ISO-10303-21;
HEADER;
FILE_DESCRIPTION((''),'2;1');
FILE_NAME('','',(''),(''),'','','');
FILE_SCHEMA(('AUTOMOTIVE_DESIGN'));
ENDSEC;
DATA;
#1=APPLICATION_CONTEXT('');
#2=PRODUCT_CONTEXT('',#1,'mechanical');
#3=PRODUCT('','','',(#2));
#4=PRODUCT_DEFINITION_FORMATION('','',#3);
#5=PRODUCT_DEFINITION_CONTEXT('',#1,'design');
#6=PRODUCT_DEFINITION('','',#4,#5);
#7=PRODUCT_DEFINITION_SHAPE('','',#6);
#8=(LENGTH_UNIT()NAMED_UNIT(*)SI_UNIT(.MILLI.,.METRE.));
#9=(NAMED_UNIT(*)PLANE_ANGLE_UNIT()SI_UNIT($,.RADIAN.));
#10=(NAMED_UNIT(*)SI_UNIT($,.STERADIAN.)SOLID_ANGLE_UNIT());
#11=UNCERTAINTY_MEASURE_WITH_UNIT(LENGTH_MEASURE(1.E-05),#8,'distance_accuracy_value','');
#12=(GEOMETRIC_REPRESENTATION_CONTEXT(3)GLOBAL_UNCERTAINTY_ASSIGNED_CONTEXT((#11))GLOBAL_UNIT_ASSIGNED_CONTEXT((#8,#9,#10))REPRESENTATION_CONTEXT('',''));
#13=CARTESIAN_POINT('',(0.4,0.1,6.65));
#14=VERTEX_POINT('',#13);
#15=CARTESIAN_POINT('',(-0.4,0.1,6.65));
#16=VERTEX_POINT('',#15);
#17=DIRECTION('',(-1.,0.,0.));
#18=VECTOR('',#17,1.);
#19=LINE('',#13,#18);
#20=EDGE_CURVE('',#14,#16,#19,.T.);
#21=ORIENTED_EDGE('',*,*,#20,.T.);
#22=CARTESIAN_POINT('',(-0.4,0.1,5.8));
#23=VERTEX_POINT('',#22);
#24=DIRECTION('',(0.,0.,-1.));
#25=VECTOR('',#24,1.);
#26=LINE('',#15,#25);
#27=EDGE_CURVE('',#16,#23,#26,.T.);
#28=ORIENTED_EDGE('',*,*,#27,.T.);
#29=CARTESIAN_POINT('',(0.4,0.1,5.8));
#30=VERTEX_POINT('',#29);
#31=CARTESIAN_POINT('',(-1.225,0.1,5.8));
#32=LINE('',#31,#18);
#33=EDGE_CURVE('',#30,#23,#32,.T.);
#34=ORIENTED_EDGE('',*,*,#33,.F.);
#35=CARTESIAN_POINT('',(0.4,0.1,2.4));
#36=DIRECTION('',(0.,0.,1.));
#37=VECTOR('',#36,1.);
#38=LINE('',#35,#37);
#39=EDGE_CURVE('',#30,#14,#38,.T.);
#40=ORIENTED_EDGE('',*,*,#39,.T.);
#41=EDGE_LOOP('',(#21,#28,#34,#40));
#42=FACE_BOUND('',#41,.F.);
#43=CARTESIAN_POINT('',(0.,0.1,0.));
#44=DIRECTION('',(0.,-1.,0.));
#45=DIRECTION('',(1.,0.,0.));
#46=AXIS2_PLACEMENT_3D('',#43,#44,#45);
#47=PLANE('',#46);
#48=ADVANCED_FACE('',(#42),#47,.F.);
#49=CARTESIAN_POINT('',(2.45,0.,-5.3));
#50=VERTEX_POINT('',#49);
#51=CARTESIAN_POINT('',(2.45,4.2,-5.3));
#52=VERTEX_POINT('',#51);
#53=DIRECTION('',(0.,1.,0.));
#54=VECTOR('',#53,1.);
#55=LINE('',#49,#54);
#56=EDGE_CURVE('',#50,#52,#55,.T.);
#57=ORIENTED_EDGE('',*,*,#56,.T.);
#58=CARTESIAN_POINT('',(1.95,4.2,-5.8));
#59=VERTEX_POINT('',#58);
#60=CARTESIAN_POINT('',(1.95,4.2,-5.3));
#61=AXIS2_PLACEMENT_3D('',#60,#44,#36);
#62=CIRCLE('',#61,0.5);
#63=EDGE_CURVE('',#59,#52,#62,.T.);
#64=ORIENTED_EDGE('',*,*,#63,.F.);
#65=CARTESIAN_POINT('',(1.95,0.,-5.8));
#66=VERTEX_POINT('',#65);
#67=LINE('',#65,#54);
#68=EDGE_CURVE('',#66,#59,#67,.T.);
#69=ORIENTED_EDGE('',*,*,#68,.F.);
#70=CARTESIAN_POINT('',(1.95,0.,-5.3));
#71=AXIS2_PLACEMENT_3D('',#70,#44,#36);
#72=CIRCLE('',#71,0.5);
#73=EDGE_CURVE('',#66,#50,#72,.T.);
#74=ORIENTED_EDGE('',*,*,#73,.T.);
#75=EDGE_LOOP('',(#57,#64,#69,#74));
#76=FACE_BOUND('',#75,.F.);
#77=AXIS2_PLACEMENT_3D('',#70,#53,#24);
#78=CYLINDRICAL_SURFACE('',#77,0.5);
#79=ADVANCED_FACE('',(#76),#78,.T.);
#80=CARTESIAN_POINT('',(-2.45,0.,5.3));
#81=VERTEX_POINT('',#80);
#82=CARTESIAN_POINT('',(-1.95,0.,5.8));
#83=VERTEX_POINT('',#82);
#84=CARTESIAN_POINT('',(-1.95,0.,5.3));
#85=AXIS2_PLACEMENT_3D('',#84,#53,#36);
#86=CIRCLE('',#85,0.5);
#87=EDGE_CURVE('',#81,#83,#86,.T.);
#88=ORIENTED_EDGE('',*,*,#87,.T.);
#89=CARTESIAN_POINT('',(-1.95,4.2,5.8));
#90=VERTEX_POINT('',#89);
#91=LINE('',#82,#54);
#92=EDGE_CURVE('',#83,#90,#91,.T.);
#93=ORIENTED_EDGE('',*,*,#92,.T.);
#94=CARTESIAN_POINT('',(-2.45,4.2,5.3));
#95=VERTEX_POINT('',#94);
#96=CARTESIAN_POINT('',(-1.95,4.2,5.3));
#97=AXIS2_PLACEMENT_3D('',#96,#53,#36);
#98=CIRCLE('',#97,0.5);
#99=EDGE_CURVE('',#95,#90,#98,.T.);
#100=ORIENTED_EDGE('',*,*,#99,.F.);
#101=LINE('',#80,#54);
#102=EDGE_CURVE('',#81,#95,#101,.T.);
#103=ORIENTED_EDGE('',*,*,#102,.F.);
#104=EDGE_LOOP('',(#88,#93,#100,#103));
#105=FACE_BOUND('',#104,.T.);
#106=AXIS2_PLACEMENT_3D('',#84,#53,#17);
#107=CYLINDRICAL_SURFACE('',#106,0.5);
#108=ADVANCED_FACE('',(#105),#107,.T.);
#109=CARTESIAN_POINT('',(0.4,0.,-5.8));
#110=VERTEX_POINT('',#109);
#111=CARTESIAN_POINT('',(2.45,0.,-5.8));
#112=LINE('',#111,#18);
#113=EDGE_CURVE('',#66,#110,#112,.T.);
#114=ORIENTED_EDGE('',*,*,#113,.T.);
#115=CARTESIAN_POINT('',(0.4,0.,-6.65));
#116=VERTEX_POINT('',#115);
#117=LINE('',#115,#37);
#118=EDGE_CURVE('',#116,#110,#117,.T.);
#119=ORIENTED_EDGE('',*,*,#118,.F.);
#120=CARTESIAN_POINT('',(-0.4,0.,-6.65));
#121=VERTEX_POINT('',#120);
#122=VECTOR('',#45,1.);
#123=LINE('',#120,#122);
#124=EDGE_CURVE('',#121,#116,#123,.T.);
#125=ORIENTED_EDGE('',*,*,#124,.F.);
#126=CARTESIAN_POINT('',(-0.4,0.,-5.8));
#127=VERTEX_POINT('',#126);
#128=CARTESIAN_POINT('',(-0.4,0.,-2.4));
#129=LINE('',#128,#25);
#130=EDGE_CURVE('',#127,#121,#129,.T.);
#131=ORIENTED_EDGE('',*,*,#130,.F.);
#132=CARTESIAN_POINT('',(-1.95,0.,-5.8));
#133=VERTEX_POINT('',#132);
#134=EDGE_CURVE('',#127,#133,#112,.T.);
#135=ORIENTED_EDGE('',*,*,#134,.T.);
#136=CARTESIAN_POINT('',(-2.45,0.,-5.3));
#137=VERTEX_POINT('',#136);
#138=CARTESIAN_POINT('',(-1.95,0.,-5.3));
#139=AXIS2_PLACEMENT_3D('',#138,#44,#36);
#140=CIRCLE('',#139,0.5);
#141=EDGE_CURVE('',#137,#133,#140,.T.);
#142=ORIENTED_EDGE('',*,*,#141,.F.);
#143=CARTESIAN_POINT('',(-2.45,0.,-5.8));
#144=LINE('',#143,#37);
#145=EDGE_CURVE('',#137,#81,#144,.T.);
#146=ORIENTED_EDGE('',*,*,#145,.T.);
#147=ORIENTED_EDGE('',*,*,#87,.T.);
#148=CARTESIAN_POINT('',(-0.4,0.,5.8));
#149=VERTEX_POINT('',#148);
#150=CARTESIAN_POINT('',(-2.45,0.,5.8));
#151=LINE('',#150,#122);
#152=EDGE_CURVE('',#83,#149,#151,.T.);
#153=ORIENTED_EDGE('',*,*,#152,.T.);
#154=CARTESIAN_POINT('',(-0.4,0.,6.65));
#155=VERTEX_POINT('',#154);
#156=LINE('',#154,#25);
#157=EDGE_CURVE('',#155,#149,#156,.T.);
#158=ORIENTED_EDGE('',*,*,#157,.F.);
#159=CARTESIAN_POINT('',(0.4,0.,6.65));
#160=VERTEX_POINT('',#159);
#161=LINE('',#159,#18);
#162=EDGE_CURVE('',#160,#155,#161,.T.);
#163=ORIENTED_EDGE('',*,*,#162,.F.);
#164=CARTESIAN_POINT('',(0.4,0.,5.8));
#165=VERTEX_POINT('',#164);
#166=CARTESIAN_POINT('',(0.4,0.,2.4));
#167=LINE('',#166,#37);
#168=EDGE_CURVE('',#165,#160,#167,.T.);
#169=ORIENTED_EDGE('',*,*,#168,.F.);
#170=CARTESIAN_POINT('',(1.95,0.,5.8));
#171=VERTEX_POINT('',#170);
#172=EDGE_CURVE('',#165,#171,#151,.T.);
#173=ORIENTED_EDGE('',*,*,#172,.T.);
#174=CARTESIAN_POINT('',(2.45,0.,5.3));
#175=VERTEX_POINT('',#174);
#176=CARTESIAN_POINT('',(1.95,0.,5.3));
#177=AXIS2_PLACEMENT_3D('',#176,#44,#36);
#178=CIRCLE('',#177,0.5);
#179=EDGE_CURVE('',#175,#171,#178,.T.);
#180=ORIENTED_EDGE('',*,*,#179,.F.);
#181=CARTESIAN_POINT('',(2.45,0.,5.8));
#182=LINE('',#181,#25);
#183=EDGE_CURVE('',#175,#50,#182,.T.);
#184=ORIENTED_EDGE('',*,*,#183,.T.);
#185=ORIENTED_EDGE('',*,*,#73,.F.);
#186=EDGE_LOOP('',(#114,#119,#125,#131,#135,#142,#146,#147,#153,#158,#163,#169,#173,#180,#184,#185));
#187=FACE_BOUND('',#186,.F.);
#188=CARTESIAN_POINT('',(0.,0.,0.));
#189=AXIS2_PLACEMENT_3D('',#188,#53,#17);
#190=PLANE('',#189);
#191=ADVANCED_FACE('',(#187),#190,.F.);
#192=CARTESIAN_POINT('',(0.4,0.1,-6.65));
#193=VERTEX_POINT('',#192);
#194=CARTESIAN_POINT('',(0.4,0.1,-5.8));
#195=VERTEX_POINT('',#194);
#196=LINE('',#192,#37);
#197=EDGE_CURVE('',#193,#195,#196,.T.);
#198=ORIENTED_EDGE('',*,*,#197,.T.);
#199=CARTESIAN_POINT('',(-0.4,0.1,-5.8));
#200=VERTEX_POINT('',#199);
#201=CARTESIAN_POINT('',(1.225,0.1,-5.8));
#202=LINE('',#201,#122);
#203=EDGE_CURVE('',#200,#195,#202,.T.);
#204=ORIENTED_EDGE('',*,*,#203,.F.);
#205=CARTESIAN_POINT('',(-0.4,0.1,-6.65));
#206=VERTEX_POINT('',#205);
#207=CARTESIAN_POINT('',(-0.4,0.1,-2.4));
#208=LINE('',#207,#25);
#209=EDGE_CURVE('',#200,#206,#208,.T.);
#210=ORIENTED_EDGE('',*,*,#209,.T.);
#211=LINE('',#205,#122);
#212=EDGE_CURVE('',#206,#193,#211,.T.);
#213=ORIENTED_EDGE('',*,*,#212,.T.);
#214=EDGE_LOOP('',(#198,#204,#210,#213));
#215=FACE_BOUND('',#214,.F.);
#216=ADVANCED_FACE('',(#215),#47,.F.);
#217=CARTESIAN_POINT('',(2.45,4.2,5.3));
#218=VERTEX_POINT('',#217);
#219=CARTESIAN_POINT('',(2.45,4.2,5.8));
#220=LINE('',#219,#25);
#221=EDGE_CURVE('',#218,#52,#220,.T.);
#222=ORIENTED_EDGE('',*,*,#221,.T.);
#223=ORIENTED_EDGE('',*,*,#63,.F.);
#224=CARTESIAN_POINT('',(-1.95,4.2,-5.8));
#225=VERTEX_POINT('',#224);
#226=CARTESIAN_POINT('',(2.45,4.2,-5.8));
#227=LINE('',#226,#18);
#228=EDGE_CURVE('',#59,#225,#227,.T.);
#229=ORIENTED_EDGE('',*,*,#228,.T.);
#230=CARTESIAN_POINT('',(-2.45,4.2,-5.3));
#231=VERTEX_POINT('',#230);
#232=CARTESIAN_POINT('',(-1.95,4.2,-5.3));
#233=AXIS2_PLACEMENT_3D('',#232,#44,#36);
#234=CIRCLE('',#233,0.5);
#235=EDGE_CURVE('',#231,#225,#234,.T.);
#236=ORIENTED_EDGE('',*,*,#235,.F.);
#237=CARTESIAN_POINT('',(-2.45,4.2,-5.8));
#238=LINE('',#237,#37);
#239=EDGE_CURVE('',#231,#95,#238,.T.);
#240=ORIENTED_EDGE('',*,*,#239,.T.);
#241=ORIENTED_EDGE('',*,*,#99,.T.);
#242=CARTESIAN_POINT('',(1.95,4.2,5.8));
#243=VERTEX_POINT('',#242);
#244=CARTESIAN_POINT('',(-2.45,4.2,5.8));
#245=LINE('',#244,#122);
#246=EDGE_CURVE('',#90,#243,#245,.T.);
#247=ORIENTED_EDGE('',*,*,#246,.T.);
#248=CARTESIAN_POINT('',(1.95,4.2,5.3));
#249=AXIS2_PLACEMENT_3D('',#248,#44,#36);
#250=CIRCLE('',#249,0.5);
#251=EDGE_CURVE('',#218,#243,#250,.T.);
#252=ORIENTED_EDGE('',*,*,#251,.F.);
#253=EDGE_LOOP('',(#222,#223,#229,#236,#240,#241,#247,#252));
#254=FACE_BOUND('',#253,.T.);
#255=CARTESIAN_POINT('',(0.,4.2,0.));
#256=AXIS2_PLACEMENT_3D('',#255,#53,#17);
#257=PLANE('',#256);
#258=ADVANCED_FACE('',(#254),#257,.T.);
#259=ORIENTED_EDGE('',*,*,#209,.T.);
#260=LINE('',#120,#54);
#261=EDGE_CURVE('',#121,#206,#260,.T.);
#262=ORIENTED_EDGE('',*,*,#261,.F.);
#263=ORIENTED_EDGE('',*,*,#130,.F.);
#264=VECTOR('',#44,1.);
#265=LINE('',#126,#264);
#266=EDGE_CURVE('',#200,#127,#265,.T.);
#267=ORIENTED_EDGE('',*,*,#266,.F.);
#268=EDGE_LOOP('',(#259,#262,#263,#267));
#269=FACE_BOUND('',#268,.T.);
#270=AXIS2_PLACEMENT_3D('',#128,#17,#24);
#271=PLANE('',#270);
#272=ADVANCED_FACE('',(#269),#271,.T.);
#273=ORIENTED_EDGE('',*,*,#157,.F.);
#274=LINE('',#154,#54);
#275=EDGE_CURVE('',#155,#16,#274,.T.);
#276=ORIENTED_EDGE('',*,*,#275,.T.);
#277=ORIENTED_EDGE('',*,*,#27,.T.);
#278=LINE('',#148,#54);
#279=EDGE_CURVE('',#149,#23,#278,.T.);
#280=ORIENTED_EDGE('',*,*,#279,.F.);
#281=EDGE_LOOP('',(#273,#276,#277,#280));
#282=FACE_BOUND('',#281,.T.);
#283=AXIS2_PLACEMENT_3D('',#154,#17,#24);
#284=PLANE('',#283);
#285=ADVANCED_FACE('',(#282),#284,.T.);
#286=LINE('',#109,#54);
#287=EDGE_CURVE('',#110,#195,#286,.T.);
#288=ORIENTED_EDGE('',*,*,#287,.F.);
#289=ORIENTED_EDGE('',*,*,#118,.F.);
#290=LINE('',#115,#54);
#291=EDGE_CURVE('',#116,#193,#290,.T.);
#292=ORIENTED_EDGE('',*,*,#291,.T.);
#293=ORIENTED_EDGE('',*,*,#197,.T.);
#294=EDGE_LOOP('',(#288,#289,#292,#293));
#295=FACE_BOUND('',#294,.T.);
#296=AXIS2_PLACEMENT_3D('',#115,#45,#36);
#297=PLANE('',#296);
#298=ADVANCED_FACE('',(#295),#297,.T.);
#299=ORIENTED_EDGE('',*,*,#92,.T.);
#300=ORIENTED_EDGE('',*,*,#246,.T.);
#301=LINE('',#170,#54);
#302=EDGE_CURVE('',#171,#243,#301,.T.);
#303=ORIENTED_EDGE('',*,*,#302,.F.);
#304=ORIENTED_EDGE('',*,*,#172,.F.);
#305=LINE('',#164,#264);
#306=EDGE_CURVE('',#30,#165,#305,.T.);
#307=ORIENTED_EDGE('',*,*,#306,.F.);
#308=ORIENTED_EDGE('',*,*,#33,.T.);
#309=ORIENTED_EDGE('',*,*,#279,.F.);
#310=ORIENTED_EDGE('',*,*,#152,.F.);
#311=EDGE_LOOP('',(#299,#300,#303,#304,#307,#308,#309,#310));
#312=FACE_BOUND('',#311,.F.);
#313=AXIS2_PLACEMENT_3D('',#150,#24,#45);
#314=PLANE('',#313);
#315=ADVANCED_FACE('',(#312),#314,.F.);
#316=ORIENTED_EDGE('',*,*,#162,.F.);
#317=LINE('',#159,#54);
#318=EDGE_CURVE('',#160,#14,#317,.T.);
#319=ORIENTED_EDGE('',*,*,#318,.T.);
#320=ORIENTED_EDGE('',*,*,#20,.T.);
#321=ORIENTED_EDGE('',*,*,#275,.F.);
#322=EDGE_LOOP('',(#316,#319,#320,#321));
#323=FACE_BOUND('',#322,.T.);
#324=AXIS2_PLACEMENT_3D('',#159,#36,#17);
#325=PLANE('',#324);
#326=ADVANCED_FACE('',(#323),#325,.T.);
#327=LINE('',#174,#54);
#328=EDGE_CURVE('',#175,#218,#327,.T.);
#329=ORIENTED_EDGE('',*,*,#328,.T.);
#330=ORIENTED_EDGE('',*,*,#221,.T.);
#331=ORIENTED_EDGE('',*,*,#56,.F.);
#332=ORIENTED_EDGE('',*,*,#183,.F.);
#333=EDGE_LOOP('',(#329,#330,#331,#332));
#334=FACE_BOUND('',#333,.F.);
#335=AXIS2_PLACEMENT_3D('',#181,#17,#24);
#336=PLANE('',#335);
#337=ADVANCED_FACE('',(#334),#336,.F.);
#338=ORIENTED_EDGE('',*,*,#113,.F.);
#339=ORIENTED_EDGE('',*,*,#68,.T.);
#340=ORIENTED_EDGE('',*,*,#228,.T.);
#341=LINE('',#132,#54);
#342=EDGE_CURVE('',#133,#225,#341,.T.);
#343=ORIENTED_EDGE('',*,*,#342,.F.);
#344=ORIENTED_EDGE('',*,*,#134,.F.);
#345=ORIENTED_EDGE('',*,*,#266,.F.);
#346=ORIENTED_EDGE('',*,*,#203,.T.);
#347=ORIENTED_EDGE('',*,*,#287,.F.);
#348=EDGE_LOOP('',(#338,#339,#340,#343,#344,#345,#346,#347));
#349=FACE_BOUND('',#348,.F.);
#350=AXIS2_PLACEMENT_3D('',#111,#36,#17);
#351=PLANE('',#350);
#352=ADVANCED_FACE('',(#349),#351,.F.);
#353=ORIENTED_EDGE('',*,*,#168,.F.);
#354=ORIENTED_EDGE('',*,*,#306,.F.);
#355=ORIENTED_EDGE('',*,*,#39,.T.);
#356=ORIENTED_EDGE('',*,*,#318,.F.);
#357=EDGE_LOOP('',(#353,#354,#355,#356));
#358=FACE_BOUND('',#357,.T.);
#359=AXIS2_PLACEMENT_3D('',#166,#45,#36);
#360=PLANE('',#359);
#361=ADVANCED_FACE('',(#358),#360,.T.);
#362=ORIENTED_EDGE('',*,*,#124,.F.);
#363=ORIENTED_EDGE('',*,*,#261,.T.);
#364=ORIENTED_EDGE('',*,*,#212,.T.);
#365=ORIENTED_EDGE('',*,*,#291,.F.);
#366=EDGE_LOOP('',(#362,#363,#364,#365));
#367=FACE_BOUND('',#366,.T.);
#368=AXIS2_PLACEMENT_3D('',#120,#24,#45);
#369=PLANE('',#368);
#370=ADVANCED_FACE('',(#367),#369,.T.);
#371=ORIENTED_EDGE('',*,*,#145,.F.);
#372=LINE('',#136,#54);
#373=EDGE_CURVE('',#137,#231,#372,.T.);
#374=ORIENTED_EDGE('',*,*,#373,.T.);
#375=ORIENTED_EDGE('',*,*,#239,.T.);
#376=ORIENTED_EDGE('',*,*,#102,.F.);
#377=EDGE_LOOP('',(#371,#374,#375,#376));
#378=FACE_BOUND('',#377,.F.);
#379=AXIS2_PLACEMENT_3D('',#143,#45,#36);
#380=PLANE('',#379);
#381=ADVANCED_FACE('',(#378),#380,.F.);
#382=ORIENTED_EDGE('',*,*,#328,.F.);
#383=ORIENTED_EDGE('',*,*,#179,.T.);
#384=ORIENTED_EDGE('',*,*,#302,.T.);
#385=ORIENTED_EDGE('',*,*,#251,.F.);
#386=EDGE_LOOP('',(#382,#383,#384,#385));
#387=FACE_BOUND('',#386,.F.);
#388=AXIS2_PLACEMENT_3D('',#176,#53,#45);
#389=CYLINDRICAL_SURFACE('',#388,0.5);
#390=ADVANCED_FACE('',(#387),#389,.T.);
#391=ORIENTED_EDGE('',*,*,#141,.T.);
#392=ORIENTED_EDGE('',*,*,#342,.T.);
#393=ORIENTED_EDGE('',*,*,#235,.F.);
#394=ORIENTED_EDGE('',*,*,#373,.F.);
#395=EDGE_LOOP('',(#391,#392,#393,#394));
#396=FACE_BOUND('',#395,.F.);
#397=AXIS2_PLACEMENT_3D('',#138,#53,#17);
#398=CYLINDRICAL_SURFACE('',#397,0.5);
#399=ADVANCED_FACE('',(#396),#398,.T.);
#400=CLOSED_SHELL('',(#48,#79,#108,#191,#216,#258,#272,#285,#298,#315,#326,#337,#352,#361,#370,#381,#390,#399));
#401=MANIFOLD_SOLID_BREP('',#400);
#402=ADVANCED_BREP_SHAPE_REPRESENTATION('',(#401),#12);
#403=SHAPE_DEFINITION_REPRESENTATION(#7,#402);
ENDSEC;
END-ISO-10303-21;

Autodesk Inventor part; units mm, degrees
ref_plane "YZ Plane" through (0, 0, 0) normal (1, 0, 0) x (0, 1, 0)
ref_plane "XZ Plane" through (0, 0, 0) normal (0, 1, 0) x (-1, 0, 0)
ref_plane "XY Plane" through (0, 0, 0) normal (0, 0, 1) x (1, 0, 0)
sketch "Sketch1" plane through (0, 0, 0) normal (0, 1, 0) x (-1, 0, 0)
  line L0 (2.45, 5.8) -> (-2.45, 5.8)
  line L1 (-2.45, 5.8) -> (-2.45, -5.8)
  line L2 (-2.45, -5.8) -> (2.45, -5.8)
  line L3 (2.45, -5.8) -> (2.45, 5.8)
  point P0 (0, 0)
  dimension "d0" = 11.6
  dimension "d1" = 5.8
  dimension "d2" = 4.9
  dimension "d3" = 2.45
extrude "Extrusion1" add sketch "Sketch1" along normal blind 4.2
fillet "Fillet1" radius 0.5 4 edges at (2.45, 2.1, 5.8) (-2.45, 2.1, 5.8) (2.45, 2.1, -5.8) (-2.45, 2.1, -5.8)
sketch "Sketch2" plane through (0, 0, 0) normal (0, -1, 0) x (1, 0, 0)
  line L0 (0.4, 6.65) -> (-0.4, 6.65)
  line L1 (-0.4, 6.65) -> (-0.4, 2.4)
  line L2 (-0.4, 2.4) -> (0.4, 2.4)
  line L3 (0.4, 2.4) -> (0.4, 6.65)
  line L4 (0.4, -2.4) -> (-0.4, -2.4)
  line L5 (-0.4, -2.4) -> (-0.4, -6.65)
  line L6 (-0.4, -6.65) -> (0.4, -6.65)
  line L7 (0.4, -6.65) -> (0.4, -2.4)
  point P0 (0, 0)
  dimension "d7" = 13.3
  dimension "d9" = 4.8
  dimension "d10" = 2.4
  dimension "d11" = 6.65
  dimension "d12" = 0.8
  dimension "d13" = 0.8
  dimension "d14" = 0.4
  dimension "d15" = 0.4
extrude "Extrusion2" add sketch "Sketch2" against normal blind 0.1
properties part number "HC49_XTAL"
